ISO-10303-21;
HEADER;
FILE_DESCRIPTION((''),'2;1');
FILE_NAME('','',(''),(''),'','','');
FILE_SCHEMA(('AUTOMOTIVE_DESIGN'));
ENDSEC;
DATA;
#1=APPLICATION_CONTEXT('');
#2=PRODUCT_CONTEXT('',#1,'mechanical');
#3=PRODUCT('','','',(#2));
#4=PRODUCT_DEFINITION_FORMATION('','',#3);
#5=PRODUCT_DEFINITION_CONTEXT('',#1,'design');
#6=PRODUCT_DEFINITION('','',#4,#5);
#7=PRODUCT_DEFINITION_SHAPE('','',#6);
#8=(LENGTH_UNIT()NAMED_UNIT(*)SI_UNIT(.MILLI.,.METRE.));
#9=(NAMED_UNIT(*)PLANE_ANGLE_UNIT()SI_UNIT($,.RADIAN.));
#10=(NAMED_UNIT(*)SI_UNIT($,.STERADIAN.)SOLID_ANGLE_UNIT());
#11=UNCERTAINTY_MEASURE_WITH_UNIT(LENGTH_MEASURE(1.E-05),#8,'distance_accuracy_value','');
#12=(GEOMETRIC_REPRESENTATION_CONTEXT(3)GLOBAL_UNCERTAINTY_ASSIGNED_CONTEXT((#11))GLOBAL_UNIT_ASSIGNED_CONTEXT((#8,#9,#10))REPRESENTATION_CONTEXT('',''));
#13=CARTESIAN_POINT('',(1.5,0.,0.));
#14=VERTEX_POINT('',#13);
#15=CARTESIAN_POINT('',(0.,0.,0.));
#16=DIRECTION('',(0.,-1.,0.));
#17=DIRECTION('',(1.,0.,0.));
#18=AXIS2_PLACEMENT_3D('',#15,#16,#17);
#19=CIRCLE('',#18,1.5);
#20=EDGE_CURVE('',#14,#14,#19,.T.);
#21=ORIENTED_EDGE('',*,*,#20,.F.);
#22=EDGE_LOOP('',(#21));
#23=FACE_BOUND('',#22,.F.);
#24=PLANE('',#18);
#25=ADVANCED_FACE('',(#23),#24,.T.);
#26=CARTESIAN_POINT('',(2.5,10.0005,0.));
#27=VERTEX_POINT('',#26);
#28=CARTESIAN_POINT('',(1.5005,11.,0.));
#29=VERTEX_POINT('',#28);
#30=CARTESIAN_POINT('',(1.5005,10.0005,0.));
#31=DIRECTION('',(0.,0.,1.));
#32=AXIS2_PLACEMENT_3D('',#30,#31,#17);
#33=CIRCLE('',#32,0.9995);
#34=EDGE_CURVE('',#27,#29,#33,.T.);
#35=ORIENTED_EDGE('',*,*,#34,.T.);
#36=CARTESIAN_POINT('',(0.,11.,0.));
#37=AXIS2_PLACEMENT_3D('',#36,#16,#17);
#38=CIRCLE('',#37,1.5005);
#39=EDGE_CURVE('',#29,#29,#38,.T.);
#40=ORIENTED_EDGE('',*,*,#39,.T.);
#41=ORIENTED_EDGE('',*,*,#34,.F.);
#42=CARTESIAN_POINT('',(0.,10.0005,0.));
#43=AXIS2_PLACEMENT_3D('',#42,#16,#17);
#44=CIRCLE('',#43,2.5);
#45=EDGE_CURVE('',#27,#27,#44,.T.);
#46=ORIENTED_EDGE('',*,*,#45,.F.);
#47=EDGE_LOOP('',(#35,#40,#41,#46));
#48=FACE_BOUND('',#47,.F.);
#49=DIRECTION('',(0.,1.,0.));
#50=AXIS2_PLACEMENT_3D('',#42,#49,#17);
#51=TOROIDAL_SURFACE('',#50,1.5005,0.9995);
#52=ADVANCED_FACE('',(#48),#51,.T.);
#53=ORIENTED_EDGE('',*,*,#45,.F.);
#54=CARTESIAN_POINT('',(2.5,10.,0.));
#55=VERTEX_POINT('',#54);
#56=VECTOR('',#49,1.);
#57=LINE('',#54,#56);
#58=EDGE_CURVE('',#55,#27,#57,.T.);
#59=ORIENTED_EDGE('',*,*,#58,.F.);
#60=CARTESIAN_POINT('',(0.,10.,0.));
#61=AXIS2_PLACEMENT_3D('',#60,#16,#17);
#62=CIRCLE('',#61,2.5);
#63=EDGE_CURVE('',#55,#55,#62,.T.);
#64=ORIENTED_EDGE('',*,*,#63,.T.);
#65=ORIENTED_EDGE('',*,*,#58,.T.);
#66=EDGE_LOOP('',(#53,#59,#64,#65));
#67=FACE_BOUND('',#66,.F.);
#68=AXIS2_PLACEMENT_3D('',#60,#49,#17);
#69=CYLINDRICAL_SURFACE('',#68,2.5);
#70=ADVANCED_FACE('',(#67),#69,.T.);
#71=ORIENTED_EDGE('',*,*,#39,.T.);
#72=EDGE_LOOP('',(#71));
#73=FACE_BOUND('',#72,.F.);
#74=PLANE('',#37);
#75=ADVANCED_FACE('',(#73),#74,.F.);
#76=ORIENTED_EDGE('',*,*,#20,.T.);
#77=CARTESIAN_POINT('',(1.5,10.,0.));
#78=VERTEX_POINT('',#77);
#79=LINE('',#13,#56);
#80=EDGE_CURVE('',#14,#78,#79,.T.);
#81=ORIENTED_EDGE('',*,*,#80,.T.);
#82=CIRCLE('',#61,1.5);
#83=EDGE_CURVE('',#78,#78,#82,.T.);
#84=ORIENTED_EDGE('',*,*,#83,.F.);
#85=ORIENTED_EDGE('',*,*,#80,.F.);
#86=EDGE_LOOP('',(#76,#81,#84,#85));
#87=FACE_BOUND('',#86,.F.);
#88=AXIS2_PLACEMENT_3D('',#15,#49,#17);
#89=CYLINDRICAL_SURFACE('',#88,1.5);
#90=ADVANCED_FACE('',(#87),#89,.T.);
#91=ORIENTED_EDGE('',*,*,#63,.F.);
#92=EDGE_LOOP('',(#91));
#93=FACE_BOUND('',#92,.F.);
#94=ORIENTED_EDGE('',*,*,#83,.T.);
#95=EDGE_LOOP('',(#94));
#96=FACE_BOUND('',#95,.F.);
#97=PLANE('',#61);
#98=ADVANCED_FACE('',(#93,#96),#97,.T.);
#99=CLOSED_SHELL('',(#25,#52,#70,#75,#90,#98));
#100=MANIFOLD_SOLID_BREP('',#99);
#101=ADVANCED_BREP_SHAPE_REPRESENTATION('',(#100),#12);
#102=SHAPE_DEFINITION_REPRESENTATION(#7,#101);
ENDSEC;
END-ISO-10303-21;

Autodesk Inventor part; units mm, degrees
ref_plane "YZ Plane" through (0, 0, 0) normal (1, 0, 0) x (0, 1, 0)
ref_plane "XZ Plane" through (0, 0, 0) normal (0, 1, 0) x (-1, 0, 0)
ref_plane "XY Plane" through (0, 0, 0) normal (0, 0, 1) x (1, 0, 0)
sketch "Sketch1" plane through (0, 0, 0) normal (0, 0, 1) x (1, 0, 0)
  line L0 (0, 0) -> (1.5, 0)
  line L1 (1.5, 0) -> (1.5, 10)
  line L2 (1.5, 10) -> (0, 10)
  line L3 (0, 10) -> (0, 0)
  line L4 (0, 10) -> (2.5, 10)
  line L5 (2.5, 10) -> (2.5, 11)
  line L6 (2.5, 11) -> (0, 11)
  line L7 (0, 11) -> (0, 10)
  dimension "d0" = 1.5
  dimension "d1" = 2.5
  dimension "d2" = 1
  dimension "d7" = 10
revolve "Revolution1" add sketch "Sketch1" angle 360 about axis through (0, 10, 0) along (0, -1, 0)
fillet "Fillet1" radius 1 1 edges at (-2.5, 11, 0)
thread "Thread1" size "M3x0.5" class "6g" standard "ANSI Metric M Profile" full length
properties part number "m3x10"
